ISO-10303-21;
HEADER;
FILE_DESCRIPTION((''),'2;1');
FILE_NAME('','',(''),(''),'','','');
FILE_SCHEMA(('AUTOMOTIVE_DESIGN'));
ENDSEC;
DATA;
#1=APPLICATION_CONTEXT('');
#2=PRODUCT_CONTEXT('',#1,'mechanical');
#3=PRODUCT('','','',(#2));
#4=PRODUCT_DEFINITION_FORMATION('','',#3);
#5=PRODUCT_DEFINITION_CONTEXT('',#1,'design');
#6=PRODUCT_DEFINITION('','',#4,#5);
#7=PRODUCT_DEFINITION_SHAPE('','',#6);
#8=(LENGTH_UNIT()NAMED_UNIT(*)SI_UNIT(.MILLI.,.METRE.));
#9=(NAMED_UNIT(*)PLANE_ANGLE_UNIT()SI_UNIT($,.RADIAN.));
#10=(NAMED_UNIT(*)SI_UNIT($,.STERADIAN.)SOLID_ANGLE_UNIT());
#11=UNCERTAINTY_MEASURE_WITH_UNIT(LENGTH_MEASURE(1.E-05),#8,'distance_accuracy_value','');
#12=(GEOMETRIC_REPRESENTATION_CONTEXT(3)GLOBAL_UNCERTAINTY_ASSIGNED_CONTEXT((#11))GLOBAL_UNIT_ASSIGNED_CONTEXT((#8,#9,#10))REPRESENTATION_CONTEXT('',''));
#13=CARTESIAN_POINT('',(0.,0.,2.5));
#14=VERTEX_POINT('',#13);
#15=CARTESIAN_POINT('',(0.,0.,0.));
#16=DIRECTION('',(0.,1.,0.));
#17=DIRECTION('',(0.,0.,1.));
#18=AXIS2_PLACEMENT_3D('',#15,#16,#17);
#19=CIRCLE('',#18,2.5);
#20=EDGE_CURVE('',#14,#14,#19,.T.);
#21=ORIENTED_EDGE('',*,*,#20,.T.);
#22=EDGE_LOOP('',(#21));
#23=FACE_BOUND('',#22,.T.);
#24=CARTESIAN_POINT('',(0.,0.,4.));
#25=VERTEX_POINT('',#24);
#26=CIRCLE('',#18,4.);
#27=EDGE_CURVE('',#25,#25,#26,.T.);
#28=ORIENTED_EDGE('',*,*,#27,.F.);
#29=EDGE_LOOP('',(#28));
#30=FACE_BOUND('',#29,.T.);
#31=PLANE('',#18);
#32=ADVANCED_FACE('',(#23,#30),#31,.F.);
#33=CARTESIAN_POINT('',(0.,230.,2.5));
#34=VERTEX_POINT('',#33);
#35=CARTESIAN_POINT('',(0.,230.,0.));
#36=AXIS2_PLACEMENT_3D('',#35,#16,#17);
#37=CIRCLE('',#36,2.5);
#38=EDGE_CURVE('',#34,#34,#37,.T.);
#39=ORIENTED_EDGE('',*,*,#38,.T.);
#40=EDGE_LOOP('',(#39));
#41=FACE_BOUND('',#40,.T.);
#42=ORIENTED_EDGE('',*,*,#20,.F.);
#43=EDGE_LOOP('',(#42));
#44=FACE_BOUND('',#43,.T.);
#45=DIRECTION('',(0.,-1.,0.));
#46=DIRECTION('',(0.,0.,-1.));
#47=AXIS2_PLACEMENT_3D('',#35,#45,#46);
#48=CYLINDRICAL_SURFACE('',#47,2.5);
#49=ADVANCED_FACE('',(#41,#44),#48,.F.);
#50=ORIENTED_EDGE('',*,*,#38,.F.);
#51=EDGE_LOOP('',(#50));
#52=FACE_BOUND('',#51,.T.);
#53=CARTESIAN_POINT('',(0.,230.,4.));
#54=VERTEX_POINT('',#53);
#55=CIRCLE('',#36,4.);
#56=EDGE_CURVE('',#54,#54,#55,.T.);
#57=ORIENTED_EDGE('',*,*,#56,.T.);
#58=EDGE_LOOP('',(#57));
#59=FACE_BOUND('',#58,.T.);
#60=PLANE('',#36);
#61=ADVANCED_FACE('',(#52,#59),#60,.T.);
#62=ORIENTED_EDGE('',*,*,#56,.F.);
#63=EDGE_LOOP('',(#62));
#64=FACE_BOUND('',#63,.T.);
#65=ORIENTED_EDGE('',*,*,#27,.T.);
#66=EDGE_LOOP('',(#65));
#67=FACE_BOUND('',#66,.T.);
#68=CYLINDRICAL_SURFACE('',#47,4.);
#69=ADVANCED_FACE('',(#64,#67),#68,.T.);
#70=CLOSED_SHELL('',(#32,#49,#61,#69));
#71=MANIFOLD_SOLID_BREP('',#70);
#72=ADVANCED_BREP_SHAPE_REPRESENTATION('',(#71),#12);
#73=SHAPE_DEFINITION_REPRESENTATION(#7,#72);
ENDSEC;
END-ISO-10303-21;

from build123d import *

# Parameters (mm, degrees)
SZKIC1_R                    = 4
SZKIC1_R_2                  = 2.5
DODANIE_WYCI_GNI_CIE1_DEPTH = 230


with BuildPart() as part:
    # Szkic1 → Dodanie-wyciągnięcie1 (new body)
    with BuildSketch(Plane(origin=(0, 0, 0), x_dir=(1, 0, 0), z_dir=(0, 1, 0))):
        with Locations(Location((0, 0, 0), (0, 0, 270))):
            Circle(SZKIC1_R)
        with Locations(Location((0, 0, 0), (0, 0, 270))):
            Circle(SZKIC1_R_2, mode=Mode.SUBTRACT)
    extrude(amount=DODANIE_WYCI_GNI_CIE1_DEPTH)


solid = part.part
